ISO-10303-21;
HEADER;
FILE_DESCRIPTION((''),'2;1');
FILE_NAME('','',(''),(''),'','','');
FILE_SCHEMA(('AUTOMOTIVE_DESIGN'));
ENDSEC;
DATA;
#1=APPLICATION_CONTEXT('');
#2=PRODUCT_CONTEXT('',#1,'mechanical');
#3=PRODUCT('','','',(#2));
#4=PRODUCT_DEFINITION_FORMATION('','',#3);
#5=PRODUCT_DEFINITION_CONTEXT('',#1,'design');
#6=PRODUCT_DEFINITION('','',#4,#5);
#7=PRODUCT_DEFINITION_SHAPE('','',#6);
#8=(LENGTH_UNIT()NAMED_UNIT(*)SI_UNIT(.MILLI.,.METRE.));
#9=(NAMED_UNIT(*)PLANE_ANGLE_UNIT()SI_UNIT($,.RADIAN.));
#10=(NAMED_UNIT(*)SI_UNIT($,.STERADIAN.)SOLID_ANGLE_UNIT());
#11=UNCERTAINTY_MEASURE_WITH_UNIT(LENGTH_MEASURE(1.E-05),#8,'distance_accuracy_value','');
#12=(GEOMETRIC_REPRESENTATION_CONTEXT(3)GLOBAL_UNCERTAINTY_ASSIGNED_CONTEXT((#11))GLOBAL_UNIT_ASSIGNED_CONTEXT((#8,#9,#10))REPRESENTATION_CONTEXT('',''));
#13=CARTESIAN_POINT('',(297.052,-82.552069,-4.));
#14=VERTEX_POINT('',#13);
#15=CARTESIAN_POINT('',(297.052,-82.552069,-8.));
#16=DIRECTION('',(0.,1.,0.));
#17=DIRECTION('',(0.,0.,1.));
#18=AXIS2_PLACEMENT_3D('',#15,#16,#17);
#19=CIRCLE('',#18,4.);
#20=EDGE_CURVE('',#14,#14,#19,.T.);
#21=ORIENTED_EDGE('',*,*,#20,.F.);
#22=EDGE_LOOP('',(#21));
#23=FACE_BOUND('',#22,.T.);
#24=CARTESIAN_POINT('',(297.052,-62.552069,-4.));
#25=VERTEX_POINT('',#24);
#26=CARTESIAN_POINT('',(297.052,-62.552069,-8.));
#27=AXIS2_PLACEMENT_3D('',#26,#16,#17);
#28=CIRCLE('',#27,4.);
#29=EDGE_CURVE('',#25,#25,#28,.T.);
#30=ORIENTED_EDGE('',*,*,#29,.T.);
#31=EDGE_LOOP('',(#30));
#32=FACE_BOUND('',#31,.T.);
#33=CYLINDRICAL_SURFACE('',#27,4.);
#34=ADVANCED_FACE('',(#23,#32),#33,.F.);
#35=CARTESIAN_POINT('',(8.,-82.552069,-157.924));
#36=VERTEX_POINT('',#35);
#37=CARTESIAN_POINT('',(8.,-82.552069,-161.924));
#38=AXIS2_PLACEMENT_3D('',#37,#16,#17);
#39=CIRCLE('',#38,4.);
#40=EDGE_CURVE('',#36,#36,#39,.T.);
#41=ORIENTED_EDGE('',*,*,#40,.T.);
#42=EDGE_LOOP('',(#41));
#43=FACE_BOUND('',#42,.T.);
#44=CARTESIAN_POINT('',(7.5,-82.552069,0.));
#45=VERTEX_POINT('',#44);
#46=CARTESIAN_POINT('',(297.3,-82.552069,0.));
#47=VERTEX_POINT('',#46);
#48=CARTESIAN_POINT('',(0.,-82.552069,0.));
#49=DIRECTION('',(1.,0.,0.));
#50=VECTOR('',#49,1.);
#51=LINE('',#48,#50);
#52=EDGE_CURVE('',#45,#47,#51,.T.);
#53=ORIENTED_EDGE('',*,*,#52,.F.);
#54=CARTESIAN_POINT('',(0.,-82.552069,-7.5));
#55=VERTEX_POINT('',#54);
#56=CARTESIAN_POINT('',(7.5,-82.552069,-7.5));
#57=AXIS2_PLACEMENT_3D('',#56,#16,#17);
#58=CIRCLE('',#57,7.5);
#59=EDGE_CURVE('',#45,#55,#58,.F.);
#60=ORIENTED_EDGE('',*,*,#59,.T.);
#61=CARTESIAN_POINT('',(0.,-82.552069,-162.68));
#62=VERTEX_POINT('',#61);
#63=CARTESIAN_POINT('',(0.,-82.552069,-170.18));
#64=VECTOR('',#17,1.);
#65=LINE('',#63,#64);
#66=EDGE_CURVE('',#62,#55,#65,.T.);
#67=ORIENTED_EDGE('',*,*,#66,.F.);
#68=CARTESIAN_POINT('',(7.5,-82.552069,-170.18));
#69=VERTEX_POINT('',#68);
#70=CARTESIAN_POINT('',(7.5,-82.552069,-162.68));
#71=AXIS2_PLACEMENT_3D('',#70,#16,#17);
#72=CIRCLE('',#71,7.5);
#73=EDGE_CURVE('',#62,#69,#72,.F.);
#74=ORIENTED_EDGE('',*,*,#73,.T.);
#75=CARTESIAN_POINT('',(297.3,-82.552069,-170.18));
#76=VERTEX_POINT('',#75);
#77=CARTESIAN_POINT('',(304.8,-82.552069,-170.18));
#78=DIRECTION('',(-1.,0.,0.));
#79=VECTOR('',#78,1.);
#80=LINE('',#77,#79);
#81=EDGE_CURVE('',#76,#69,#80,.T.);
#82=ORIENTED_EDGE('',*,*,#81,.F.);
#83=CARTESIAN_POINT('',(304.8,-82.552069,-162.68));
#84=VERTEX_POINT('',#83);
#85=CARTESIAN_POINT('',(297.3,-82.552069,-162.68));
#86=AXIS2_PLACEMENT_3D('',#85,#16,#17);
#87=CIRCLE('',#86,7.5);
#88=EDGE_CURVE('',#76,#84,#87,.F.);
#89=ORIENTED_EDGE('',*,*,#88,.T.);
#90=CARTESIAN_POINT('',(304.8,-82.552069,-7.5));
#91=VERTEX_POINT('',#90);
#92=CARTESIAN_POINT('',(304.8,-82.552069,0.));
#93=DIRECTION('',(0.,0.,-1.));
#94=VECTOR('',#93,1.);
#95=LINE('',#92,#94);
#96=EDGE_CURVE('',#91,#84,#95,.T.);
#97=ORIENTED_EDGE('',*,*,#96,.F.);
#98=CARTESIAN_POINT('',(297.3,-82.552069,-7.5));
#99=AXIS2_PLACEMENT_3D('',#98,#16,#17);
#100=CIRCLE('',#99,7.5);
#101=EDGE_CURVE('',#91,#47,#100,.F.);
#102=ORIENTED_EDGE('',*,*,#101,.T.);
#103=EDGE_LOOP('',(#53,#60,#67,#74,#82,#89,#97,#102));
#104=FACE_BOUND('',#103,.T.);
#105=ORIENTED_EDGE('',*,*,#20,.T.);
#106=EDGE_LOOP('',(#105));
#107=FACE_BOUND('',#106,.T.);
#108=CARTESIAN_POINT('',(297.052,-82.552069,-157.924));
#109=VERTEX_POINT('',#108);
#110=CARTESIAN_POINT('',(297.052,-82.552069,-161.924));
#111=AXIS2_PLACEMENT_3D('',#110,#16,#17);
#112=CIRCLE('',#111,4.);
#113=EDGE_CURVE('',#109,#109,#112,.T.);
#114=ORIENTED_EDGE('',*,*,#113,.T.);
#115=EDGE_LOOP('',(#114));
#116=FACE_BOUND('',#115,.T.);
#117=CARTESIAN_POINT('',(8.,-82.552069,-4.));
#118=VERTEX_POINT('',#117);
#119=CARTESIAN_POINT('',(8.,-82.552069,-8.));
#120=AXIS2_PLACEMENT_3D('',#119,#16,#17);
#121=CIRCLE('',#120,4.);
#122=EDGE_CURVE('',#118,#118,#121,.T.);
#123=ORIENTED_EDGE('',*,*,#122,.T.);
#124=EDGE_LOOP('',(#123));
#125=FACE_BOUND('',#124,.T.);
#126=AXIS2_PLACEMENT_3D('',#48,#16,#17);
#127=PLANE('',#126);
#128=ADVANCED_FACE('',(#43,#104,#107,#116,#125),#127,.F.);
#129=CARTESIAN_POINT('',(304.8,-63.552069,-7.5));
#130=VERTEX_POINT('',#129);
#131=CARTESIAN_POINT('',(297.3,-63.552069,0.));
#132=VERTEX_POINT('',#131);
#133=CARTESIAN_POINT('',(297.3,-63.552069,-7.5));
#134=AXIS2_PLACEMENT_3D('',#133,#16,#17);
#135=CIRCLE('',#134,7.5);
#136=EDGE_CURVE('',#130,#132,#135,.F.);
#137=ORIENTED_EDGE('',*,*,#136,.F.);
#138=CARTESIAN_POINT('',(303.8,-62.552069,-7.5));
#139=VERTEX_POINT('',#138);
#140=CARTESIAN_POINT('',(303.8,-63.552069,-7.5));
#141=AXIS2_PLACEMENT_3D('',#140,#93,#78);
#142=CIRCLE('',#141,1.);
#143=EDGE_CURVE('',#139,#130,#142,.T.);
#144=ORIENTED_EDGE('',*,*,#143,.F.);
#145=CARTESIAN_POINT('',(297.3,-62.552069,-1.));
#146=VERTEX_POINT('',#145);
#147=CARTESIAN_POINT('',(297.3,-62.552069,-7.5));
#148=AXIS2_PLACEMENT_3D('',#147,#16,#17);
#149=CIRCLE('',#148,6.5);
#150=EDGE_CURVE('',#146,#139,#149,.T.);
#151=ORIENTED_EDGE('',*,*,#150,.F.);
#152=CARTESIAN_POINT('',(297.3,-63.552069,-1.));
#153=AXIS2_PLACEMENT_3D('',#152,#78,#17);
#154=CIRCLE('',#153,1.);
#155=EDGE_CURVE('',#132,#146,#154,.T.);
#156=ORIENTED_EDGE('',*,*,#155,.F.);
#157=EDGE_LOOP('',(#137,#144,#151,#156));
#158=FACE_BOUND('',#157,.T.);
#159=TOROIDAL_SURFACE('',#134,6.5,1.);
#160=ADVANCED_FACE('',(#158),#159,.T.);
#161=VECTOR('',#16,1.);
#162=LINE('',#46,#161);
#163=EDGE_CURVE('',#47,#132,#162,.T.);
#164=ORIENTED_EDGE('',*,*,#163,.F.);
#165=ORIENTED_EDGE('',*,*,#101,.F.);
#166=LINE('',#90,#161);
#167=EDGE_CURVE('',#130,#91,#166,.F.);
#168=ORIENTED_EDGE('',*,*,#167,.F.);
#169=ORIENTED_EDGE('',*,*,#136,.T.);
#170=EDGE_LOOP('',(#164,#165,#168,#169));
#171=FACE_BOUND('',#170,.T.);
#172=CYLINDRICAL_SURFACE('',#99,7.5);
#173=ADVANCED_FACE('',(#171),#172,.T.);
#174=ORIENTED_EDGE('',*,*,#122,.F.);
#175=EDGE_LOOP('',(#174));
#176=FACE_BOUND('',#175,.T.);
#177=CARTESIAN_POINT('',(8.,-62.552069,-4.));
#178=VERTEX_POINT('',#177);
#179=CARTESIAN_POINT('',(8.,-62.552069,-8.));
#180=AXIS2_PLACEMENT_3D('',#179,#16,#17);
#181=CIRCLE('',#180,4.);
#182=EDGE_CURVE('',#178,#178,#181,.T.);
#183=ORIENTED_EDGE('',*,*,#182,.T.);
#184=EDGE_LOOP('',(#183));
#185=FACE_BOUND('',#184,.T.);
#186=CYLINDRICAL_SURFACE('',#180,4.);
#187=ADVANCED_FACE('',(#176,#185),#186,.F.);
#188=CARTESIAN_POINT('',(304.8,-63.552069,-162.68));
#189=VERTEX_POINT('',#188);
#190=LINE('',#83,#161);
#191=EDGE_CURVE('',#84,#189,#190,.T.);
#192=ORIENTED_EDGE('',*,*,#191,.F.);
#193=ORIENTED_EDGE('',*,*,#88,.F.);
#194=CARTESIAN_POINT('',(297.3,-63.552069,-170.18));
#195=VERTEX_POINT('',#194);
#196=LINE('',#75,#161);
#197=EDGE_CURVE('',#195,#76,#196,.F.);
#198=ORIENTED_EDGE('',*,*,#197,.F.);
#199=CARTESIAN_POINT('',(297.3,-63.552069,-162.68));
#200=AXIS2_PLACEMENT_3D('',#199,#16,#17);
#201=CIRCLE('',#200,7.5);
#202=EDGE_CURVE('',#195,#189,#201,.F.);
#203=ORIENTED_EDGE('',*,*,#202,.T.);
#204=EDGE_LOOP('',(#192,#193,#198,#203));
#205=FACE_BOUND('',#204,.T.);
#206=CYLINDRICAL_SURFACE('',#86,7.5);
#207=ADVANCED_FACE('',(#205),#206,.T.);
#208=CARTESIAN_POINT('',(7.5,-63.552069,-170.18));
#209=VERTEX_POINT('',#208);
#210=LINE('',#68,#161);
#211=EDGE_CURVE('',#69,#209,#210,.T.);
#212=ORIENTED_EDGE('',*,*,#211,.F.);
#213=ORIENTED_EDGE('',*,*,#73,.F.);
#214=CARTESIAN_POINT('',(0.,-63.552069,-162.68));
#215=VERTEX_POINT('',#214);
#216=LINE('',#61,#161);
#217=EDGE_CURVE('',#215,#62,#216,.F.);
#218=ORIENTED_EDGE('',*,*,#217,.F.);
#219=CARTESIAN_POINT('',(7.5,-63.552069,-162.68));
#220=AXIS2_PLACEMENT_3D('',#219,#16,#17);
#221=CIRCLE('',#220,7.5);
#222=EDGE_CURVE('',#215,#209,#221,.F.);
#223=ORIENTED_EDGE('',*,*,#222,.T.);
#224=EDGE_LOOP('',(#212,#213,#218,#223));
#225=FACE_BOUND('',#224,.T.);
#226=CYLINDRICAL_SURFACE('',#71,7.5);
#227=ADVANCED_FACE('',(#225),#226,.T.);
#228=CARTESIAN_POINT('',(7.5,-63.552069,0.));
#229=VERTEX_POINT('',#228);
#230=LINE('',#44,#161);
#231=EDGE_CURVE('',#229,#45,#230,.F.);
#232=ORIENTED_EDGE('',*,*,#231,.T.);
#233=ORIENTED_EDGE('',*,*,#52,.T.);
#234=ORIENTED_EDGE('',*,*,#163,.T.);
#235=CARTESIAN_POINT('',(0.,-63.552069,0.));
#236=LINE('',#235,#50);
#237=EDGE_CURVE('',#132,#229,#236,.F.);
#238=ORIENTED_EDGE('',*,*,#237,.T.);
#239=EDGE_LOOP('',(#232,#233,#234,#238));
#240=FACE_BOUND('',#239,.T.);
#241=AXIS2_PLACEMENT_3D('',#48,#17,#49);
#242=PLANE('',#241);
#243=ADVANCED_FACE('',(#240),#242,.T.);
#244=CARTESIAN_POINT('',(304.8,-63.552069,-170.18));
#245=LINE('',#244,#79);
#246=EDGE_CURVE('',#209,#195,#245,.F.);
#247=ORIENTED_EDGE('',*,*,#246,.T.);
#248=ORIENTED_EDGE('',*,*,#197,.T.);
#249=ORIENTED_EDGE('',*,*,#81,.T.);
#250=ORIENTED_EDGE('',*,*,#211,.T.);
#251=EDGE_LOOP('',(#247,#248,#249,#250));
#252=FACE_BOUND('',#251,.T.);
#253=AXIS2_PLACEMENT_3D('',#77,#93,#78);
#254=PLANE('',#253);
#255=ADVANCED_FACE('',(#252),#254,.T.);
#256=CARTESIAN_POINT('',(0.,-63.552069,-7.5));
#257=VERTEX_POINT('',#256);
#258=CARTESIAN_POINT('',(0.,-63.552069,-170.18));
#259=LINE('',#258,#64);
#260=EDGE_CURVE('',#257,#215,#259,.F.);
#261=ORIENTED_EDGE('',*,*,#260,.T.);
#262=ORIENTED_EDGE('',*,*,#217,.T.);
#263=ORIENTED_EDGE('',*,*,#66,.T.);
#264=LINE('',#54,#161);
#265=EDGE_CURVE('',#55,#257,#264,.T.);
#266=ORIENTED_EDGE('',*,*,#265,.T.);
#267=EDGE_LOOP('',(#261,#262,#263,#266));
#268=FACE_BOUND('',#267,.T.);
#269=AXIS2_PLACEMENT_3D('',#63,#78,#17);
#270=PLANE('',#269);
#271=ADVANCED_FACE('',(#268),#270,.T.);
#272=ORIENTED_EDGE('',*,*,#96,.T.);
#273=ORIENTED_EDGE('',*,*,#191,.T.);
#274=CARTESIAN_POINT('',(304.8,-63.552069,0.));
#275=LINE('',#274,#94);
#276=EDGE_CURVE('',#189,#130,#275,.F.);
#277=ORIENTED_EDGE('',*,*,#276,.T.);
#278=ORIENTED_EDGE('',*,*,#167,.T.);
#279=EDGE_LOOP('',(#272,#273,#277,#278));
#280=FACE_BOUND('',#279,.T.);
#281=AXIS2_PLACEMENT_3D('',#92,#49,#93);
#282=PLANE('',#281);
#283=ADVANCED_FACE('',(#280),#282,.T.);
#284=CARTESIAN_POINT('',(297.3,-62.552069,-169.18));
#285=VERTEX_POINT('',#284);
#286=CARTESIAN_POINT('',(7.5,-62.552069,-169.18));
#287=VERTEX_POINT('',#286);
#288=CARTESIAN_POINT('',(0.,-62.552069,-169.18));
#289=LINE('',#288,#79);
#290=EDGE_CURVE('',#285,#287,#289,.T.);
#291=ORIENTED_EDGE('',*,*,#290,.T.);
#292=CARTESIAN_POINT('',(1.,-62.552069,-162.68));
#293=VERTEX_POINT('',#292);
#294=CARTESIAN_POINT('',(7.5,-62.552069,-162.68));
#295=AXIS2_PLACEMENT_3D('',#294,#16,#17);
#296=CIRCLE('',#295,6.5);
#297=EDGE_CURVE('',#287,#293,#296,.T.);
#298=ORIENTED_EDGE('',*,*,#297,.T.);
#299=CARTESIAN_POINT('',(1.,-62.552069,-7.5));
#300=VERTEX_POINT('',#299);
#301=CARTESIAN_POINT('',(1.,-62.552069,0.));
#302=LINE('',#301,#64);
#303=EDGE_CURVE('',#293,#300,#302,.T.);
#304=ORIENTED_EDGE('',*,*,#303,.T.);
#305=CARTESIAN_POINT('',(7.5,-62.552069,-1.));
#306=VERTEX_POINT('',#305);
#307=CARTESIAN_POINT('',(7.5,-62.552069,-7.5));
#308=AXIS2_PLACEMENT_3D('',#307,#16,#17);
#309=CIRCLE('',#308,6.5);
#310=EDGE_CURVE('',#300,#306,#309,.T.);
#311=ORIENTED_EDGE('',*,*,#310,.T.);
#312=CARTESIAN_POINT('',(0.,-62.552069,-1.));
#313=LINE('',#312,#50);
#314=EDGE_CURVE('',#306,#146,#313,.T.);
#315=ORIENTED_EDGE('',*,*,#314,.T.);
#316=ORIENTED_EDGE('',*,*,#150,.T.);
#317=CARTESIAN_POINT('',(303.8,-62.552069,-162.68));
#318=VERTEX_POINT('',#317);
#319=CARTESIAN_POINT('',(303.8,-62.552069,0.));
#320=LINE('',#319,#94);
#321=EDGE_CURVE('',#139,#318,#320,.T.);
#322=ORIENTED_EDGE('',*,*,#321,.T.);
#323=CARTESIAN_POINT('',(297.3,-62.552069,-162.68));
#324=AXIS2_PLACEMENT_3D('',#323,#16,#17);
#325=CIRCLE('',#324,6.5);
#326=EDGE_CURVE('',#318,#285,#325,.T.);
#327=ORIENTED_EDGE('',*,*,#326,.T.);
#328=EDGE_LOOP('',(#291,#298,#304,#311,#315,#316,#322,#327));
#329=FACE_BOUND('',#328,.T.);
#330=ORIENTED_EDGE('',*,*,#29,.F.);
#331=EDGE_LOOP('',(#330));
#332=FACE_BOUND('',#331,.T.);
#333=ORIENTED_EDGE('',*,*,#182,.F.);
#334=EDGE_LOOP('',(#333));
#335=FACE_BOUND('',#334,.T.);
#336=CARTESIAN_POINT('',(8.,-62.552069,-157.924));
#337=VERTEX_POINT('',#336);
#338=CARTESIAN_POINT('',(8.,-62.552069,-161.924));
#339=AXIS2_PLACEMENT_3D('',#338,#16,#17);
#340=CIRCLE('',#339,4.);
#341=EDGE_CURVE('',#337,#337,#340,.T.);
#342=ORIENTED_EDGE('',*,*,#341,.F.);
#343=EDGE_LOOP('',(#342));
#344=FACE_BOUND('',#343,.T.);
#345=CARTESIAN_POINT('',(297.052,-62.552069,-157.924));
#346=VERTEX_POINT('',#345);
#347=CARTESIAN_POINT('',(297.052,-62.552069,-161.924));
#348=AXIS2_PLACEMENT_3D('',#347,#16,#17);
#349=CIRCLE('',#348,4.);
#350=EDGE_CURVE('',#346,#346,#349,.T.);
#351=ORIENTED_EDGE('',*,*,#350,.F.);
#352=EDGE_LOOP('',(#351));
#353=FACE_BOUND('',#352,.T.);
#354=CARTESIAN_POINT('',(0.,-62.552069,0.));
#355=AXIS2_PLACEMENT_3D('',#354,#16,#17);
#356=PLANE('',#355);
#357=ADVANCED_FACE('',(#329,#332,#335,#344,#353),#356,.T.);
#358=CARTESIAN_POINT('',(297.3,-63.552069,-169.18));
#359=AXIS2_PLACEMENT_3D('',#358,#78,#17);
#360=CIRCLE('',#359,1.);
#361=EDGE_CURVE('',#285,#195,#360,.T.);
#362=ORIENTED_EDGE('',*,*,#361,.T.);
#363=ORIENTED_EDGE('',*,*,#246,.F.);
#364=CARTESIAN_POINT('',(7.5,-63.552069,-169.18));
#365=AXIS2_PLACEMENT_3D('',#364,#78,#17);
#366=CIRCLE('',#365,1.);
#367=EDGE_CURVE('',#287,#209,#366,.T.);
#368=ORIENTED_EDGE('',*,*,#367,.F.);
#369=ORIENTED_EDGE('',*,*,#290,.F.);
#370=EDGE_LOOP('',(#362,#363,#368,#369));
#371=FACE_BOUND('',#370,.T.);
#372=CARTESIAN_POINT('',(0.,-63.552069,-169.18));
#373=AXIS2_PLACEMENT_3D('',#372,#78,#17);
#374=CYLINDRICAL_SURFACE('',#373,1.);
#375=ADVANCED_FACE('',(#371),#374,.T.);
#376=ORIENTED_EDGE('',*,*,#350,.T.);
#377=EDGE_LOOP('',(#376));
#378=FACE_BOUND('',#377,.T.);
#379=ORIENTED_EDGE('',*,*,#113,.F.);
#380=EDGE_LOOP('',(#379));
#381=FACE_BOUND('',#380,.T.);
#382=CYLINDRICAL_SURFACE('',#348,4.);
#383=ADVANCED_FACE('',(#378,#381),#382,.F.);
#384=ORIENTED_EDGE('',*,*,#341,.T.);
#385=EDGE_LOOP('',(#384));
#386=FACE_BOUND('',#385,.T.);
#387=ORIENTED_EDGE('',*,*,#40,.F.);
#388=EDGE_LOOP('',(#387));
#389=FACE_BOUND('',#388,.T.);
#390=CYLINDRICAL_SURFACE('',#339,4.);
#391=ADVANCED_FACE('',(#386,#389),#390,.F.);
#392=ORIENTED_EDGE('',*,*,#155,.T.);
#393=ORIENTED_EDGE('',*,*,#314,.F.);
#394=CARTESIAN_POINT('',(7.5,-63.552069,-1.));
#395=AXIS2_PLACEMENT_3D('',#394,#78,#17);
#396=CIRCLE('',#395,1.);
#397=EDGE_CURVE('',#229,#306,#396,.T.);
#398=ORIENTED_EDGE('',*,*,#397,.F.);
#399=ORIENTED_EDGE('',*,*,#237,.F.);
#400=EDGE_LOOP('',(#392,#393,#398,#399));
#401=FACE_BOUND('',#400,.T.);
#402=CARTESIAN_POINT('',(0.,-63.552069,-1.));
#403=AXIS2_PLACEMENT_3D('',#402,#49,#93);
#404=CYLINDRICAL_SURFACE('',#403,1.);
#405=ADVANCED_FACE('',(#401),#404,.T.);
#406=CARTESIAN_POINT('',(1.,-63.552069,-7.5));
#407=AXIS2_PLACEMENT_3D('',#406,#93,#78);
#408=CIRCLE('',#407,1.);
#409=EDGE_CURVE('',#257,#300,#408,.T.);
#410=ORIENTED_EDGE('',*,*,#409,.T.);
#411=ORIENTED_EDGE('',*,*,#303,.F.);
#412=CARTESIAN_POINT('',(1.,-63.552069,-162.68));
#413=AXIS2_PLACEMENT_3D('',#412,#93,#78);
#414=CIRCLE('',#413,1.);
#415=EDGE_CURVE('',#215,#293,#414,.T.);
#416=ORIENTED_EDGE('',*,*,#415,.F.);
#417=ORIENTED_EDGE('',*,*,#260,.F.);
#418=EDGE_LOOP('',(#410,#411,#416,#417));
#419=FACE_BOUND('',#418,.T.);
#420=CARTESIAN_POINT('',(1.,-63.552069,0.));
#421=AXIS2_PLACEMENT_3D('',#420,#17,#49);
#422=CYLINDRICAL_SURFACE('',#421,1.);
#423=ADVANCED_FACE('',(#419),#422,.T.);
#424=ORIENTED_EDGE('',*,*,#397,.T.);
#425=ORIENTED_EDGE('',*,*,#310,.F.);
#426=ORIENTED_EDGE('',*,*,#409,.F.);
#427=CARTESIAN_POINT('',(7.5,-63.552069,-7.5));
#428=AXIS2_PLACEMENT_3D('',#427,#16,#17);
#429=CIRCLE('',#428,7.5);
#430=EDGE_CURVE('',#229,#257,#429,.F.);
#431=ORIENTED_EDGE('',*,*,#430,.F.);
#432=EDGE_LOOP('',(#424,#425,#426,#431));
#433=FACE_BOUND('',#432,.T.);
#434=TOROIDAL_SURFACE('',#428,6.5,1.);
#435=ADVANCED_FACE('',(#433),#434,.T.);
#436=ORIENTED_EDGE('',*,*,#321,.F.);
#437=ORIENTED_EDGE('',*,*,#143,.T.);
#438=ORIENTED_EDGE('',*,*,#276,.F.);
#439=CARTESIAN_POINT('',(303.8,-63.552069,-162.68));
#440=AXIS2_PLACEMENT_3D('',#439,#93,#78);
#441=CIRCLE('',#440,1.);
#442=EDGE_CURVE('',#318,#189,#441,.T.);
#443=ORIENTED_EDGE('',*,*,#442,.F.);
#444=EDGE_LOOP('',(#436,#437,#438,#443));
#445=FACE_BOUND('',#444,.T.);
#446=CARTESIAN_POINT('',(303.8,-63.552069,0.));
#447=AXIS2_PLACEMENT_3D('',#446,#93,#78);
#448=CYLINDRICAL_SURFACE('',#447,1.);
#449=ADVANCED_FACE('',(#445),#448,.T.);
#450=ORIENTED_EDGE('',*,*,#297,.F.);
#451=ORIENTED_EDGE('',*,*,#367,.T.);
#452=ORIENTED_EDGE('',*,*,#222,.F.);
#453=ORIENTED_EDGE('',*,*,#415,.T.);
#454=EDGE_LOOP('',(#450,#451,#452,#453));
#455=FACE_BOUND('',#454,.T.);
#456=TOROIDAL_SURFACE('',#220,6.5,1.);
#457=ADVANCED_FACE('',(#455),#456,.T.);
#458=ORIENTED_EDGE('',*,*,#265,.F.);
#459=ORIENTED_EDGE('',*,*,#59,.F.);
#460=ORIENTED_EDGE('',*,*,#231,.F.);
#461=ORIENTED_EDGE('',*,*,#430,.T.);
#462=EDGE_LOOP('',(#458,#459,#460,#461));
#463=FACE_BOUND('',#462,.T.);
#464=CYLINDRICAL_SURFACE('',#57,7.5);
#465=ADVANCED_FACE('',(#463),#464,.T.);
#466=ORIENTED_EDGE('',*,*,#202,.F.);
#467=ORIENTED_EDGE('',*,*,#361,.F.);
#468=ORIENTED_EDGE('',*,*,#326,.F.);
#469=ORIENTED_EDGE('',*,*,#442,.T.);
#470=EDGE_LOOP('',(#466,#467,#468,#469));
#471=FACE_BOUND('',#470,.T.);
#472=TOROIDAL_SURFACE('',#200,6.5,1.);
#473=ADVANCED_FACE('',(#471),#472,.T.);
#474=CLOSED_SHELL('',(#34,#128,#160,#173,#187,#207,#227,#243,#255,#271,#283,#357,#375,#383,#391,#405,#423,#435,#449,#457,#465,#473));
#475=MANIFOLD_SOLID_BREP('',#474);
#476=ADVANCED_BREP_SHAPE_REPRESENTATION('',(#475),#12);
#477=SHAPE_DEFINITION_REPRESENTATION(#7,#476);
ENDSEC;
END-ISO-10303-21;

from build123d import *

# Parameters (mm, degrees)
SKETCH1_W           = 304.8
SKETCH1_H           = 170.18
BOSS_EXTRUDE1_DEPTH = 20
HOLE1_D             = 8
FILLET1_R           = 7.5
FILLET2_R           = 1


with BuildPart() as part:
    # Sketch1 → Boss-Extrude1 (new body)
    with BuildSketch(Plane(origin=(0, -62.552068535, 0), x_dir=(1, 0, 0), z_dir=(0, 1, 0))):
        with Locations((152.4, 85.09)):
            Rectangle(SKETCH1_W, SKETCH1_H)
    extrude(amount=-BOSS_EXTRUDE1_DEPTH)

    # Hole1 (through all)
    with Locations(Plane(origin=(0, -62.552068535, 0), x_dir=(1, 0, 0), z_dir=(0, 1, 0))):
        with Locations((8, 8), (297.052, 8), (8, 161.924), (297.052, 161.924)):
            Hole(HOLE1_D / 2)

    # Fillet1
    fillet1_edges = [part.edges().sort_by_distance(p)[0] for p in [
        (0, -72.552068535, -170.18),
        (304.8, -72.552068535, -170.18),
        (304.8, -72.552068535, 0),
        (0, -72.552068535, 0),
    ]]
    fillet(fillet1_edges, radius=FILLET1_R)

    # Fillet2
    fillet2_edges = [part.edges().sort_by_distance(p)[0] for p in [
        (304.8, -62.552068535, -85.09),
        (0, -62.552068535, -85.09),
        (152.4, -62.552068535, 0),
        (152.4, -62.552068535, -170.18),
        (2.196699141, -62.552068535, -2.196699141),
        (2.196699141, -62.552068535, -167.983300859),
        (302.603300859, -62.552068535, -2.196699141),
        (302.603300859, -62.552068535, -167.983300859),
    ]]
    fillet(fillet2_edges, radius=FILLET2_R)


solid = part.part
